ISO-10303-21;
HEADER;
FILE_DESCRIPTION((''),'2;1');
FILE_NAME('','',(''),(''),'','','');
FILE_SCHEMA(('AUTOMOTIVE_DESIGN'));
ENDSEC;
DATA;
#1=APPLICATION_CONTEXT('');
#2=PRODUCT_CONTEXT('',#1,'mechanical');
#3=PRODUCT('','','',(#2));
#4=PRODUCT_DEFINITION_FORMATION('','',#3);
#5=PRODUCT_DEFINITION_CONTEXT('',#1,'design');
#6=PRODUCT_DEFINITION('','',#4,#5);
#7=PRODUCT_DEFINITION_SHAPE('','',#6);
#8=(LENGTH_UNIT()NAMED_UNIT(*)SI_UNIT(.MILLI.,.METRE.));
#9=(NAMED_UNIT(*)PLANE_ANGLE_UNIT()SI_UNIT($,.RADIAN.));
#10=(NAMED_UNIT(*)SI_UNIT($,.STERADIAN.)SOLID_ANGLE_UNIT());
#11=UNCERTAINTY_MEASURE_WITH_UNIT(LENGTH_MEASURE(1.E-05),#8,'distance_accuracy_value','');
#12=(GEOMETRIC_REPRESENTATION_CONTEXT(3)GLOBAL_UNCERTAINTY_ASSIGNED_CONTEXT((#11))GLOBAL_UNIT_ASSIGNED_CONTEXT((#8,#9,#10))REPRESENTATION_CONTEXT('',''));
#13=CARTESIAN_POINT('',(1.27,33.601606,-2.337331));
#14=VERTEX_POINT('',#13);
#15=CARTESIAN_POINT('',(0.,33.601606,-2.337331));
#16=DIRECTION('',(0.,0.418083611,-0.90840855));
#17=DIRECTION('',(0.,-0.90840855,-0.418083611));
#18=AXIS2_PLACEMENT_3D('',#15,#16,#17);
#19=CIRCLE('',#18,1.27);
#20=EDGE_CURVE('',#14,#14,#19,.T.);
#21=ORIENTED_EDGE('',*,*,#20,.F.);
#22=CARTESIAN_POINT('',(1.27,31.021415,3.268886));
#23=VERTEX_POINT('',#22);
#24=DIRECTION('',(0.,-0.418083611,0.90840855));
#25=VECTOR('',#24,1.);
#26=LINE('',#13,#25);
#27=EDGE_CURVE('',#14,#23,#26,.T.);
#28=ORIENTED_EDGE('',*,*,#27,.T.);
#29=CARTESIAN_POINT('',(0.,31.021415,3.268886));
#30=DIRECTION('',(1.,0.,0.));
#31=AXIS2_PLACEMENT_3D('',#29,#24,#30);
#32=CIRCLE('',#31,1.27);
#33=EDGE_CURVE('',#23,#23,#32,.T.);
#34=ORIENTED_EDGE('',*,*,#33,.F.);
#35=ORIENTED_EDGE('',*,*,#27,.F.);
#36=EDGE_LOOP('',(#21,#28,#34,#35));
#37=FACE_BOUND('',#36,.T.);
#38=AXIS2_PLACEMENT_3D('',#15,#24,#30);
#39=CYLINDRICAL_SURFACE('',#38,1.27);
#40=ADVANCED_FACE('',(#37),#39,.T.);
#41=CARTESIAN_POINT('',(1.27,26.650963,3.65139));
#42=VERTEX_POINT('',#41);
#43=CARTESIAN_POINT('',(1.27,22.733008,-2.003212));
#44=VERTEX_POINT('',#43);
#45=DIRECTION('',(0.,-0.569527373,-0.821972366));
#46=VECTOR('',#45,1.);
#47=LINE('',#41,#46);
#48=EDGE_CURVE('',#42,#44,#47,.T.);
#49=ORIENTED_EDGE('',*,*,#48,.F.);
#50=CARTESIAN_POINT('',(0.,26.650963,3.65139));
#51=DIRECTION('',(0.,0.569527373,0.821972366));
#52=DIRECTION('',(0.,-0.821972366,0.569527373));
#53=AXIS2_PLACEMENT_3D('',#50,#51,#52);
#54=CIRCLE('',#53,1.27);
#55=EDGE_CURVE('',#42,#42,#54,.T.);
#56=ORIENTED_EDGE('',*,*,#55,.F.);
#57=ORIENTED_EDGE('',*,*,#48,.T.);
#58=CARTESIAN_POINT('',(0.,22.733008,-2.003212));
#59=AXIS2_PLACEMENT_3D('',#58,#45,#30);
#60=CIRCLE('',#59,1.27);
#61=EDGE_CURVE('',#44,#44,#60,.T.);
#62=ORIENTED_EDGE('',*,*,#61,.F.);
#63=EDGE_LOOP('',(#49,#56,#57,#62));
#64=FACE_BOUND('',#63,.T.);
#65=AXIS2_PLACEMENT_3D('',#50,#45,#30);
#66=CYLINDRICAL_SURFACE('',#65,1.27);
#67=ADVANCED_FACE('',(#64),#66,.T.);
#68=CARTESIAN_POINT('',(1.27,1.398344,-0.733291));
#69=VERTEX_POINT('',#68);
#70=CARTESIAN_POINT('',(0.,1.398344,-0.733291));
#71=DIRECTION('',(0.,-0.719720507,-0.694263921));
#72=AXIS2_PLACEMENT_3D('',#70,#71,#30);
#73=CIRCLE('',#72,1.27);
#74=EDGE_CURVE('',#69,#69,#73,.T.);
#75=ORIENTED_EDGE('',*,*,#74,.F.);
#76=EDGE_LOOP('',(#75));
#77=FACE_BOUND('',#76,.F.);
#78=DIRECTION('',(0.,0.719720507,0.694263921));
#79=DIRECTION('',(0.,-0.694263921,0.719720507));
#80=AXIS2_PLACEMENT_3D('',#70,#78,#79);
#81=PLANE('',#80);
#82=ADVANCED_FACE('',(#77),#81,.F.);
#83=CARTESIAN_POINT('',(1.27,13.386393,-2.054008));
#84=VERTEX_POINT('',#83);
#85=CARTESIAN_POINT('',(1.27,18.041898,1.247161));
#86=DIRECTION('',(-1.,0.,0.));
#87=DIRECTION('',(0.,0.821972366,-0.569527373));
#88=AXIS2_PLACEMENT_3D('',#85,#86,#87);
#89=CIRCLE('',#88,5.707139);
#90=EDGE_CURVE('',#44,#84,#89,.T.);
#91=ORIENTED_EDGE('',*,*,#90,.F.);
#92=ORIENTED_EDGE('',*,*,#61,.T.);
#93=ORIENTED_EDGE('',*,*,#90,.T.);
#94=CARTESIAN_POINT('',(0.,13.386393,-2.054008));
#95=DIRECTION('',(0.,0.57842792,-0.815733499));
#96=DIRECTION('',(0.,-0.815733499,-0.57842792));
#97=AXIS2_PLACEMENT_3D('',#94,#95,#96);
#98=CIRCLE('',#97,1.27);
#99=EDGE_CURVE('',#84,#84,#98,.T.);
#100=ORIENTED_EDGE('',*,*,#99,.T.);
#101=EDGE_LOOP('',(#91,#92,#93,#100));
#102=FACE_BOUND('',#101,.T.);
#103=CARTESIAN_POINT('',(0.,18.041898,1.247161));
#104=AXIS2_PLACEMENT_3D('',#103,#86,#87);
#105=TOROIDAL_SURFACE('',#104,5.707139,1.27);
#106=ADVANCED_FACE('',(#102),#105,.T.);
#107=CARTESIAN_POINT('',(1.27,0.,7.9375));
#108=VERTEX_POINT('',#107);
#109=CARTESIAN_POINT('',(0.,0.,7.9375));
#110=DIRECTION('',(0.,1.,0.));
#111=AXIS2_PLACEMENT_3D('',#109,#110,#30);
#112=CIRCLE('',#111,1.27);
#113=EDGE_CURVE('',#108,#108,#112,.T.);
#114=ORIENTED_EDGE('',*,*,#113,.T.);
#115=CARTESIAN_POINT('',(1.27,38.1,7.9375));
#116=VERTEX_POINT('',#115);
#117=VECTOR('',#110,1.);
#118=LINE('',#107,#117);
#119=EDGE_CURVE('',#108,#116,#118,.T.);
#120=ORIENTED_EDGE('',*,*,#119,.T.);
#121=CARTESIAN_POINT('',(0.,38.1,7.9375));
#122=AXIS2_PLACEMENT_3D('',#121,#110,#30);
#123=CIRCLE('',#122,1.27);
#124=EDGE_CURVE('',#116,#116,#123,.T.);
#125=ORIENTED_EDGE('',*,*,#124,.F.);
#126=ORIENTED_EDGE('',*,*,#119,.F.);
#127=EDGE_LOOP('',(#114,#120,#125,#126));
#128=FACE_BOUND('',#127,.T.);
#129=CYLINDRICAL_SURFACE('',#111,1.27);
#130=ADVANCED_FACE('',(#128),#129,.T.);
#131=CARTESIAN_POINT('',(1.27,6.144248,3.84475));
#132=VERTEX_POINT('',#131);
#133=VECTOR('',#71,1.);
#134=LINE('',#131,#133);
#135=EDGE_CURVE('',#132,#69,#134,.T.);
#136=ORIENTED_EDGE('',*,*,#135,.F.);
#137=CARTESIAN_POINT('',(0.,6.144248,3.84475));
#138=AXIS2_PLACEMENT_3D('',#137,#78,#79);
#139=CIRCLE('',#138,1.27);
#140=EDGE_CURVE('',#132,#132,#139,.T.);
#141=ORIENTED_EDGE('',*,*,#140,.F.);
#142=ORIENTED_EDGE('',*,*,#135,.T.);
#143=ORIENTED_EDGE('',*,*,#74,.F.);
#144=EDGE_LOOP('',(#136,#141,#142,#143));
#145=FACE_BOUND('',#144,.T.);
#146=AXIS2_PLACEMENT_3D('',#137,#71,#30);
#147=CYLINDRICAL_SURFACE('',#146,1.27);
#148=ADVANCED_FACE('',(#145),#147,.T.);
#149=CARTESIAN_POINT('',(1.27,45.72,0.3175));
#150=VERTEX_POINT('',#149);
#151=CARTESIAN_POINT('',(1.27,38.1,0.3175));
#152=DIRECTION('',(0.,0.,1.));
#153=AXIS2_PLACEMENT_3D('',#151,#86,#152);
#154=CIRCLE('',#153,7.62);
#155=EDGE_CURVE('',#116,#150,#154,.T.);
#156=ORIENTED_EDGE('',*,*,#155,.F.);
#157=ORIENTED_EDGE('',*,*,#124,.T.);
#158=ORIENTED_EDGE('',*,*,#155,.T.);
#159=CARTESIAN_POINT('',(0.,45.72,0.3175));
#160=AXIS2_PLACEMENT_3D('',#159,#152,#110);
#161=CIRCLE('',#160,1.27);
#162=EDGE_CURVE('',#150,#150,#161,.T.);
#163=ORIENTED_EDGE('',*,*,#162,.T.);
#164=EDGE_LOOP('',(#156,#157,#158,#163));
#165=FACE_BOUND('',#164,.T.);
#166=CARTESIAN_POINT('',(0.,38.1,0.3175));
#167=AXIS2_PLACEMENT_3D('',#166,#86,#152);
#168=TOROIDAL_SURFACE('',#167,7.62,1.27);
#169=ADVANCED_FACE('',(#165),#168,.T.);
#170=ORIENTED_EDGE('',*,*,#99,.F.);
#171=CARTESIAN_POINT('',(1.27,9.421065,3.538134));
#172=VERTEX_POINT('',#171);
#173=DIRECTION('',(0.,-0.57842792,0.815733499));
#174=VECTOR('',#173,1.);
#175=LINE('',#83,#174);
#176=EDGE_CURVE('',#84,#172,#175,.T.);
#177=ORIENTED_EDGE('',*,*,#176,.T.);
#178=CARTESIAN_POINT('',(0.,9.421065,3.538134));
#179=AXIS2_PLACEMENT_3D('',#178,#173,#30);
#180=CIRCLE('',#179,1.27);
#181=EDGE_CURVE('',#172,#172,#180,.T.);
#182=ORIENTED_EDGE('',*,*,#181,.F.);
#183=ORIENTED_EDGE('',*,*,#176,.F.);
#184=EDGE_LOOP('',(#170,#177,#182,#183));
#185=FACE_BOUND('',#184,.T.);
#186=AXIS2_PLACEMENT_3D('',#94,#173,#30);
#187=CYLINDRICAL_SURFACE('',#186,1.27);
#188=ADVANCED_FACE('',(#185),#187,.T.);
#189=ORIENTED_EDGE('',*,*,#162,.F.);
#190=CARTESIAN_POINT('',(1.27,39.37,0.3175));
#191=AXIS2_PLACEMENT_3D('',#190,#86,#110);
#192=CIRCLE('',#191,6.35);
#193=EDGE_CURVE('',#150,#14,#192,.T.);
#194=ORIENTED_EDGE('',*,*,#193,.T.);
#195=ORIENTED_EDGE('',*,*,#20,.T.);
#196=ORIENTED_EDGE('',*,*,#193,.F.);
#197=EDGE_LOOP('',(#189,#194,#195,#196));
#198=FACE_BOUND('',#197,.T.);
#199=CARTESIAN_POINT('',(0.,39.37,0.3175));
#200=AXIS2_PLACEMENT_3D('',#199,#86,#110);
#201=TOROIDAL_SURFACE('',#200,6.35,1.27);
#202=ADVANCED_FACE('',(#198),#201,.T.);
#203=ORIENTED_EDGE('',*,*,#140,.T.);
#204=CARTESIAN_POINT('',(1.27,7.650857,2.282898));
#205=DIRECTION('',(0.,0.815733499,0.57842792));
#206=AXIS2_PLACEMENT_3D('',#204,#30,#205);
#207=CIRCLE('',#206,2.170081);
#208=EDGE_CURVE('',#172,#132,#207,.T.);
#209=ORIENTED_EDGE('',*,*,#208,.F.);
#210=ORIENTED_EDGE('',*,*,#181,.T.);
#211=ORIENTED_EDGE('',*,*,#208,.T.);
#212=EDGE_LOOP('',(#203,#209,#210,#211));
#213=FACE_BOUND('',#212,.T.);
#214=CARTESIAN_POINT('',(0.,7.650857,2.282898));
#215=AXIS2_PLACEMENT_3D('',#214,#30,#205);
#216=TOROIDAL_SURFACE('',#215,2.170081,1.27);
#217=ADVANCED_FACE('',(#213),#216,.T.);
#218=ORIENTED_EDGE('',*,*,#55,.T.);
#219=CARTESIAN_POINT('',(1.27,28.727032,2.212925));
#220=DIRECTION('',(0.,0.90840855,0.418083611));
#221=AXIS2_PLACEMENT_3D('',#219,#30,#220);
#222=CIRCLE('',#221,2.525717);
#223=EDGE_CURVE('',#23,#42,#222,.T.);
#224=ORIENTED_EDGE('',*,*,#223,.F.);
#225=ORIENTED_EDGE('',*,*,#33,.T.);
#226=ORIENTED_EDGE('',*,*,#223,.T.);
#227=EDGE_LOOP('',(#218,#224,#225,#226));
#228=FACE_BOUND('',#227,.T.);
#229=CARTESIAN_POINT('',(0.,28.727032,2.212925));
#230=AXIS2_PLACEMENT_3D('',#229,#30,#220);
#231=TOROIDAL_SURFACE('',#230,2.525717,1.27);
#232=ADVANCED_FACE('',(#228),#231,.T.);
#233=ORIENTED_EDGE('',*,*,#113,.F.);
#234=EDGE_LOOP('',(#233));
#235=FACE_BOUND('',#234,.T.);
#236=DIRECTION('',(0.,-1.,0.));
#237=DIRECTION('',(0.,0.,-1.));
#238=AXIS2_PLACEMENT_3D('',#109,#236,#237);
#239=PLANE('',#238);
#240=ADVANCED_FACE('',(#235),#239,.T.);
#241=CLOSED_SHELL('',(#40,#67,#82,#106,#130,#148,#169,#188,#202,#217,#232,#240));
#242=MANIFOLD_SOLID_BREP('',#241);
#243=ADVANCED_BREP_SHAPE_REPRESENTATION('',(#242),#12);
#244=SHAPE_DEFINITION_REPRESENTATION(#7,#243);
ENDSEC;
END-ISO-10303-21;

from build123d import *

# Parameters (mm, degrees)
F1_R = 1.27


with BuildPart() as f2:
    # F2: sweep along a path in F0
    with BuildLine(Plane.YZ) as f2_path:
        Line((0, 7.9375), (38.1, 7.9375))
        ThreePointArc((38.1, 7.9375), (43.4881536726, 5.7056536726), (45.72, 0.3175))
        ThreePointArc((45.72, 0.3175), (40.7288959178, -5.8853946375), (33.6016057057, -2.3373309297))
        Line((33.6016057057, -2.3373309297), (31.0214150971, 3.2688855034))
        ThreePointArc((31.0214150971, 3.2688855034), (28.9472424153, 4.7290235113), (26.6509627241, 3.6513895773))
        Line((26.6509627241, 3.6513895773), (22.733008489, -2.0032115281))
        ThreePointArc((22.733008489, -2.0032115281), (18.0729141888, -4.4598944955), (13.3863929659, -2.0540081896))
        Line((13.3863929659, -2.0540081896), (9.4210648876, 3.5381336046))
        ThreePointArc((9.4210648876, 3.5381336046), (7.8530312418, 4.4435410619), (6.1442476216, 3.8447500152))
        Line((6.1442476216, 3.8447500152), (1.3983437093, -0.733290799))
    # F1 (on Front) → F2 (sweep)
    with BuildSketch(Plane.XZ):
        with Locations((0, 7.9375)):
            Circle(F1_R)
    sweep(path=f2_path.line)


solid = f2.part
